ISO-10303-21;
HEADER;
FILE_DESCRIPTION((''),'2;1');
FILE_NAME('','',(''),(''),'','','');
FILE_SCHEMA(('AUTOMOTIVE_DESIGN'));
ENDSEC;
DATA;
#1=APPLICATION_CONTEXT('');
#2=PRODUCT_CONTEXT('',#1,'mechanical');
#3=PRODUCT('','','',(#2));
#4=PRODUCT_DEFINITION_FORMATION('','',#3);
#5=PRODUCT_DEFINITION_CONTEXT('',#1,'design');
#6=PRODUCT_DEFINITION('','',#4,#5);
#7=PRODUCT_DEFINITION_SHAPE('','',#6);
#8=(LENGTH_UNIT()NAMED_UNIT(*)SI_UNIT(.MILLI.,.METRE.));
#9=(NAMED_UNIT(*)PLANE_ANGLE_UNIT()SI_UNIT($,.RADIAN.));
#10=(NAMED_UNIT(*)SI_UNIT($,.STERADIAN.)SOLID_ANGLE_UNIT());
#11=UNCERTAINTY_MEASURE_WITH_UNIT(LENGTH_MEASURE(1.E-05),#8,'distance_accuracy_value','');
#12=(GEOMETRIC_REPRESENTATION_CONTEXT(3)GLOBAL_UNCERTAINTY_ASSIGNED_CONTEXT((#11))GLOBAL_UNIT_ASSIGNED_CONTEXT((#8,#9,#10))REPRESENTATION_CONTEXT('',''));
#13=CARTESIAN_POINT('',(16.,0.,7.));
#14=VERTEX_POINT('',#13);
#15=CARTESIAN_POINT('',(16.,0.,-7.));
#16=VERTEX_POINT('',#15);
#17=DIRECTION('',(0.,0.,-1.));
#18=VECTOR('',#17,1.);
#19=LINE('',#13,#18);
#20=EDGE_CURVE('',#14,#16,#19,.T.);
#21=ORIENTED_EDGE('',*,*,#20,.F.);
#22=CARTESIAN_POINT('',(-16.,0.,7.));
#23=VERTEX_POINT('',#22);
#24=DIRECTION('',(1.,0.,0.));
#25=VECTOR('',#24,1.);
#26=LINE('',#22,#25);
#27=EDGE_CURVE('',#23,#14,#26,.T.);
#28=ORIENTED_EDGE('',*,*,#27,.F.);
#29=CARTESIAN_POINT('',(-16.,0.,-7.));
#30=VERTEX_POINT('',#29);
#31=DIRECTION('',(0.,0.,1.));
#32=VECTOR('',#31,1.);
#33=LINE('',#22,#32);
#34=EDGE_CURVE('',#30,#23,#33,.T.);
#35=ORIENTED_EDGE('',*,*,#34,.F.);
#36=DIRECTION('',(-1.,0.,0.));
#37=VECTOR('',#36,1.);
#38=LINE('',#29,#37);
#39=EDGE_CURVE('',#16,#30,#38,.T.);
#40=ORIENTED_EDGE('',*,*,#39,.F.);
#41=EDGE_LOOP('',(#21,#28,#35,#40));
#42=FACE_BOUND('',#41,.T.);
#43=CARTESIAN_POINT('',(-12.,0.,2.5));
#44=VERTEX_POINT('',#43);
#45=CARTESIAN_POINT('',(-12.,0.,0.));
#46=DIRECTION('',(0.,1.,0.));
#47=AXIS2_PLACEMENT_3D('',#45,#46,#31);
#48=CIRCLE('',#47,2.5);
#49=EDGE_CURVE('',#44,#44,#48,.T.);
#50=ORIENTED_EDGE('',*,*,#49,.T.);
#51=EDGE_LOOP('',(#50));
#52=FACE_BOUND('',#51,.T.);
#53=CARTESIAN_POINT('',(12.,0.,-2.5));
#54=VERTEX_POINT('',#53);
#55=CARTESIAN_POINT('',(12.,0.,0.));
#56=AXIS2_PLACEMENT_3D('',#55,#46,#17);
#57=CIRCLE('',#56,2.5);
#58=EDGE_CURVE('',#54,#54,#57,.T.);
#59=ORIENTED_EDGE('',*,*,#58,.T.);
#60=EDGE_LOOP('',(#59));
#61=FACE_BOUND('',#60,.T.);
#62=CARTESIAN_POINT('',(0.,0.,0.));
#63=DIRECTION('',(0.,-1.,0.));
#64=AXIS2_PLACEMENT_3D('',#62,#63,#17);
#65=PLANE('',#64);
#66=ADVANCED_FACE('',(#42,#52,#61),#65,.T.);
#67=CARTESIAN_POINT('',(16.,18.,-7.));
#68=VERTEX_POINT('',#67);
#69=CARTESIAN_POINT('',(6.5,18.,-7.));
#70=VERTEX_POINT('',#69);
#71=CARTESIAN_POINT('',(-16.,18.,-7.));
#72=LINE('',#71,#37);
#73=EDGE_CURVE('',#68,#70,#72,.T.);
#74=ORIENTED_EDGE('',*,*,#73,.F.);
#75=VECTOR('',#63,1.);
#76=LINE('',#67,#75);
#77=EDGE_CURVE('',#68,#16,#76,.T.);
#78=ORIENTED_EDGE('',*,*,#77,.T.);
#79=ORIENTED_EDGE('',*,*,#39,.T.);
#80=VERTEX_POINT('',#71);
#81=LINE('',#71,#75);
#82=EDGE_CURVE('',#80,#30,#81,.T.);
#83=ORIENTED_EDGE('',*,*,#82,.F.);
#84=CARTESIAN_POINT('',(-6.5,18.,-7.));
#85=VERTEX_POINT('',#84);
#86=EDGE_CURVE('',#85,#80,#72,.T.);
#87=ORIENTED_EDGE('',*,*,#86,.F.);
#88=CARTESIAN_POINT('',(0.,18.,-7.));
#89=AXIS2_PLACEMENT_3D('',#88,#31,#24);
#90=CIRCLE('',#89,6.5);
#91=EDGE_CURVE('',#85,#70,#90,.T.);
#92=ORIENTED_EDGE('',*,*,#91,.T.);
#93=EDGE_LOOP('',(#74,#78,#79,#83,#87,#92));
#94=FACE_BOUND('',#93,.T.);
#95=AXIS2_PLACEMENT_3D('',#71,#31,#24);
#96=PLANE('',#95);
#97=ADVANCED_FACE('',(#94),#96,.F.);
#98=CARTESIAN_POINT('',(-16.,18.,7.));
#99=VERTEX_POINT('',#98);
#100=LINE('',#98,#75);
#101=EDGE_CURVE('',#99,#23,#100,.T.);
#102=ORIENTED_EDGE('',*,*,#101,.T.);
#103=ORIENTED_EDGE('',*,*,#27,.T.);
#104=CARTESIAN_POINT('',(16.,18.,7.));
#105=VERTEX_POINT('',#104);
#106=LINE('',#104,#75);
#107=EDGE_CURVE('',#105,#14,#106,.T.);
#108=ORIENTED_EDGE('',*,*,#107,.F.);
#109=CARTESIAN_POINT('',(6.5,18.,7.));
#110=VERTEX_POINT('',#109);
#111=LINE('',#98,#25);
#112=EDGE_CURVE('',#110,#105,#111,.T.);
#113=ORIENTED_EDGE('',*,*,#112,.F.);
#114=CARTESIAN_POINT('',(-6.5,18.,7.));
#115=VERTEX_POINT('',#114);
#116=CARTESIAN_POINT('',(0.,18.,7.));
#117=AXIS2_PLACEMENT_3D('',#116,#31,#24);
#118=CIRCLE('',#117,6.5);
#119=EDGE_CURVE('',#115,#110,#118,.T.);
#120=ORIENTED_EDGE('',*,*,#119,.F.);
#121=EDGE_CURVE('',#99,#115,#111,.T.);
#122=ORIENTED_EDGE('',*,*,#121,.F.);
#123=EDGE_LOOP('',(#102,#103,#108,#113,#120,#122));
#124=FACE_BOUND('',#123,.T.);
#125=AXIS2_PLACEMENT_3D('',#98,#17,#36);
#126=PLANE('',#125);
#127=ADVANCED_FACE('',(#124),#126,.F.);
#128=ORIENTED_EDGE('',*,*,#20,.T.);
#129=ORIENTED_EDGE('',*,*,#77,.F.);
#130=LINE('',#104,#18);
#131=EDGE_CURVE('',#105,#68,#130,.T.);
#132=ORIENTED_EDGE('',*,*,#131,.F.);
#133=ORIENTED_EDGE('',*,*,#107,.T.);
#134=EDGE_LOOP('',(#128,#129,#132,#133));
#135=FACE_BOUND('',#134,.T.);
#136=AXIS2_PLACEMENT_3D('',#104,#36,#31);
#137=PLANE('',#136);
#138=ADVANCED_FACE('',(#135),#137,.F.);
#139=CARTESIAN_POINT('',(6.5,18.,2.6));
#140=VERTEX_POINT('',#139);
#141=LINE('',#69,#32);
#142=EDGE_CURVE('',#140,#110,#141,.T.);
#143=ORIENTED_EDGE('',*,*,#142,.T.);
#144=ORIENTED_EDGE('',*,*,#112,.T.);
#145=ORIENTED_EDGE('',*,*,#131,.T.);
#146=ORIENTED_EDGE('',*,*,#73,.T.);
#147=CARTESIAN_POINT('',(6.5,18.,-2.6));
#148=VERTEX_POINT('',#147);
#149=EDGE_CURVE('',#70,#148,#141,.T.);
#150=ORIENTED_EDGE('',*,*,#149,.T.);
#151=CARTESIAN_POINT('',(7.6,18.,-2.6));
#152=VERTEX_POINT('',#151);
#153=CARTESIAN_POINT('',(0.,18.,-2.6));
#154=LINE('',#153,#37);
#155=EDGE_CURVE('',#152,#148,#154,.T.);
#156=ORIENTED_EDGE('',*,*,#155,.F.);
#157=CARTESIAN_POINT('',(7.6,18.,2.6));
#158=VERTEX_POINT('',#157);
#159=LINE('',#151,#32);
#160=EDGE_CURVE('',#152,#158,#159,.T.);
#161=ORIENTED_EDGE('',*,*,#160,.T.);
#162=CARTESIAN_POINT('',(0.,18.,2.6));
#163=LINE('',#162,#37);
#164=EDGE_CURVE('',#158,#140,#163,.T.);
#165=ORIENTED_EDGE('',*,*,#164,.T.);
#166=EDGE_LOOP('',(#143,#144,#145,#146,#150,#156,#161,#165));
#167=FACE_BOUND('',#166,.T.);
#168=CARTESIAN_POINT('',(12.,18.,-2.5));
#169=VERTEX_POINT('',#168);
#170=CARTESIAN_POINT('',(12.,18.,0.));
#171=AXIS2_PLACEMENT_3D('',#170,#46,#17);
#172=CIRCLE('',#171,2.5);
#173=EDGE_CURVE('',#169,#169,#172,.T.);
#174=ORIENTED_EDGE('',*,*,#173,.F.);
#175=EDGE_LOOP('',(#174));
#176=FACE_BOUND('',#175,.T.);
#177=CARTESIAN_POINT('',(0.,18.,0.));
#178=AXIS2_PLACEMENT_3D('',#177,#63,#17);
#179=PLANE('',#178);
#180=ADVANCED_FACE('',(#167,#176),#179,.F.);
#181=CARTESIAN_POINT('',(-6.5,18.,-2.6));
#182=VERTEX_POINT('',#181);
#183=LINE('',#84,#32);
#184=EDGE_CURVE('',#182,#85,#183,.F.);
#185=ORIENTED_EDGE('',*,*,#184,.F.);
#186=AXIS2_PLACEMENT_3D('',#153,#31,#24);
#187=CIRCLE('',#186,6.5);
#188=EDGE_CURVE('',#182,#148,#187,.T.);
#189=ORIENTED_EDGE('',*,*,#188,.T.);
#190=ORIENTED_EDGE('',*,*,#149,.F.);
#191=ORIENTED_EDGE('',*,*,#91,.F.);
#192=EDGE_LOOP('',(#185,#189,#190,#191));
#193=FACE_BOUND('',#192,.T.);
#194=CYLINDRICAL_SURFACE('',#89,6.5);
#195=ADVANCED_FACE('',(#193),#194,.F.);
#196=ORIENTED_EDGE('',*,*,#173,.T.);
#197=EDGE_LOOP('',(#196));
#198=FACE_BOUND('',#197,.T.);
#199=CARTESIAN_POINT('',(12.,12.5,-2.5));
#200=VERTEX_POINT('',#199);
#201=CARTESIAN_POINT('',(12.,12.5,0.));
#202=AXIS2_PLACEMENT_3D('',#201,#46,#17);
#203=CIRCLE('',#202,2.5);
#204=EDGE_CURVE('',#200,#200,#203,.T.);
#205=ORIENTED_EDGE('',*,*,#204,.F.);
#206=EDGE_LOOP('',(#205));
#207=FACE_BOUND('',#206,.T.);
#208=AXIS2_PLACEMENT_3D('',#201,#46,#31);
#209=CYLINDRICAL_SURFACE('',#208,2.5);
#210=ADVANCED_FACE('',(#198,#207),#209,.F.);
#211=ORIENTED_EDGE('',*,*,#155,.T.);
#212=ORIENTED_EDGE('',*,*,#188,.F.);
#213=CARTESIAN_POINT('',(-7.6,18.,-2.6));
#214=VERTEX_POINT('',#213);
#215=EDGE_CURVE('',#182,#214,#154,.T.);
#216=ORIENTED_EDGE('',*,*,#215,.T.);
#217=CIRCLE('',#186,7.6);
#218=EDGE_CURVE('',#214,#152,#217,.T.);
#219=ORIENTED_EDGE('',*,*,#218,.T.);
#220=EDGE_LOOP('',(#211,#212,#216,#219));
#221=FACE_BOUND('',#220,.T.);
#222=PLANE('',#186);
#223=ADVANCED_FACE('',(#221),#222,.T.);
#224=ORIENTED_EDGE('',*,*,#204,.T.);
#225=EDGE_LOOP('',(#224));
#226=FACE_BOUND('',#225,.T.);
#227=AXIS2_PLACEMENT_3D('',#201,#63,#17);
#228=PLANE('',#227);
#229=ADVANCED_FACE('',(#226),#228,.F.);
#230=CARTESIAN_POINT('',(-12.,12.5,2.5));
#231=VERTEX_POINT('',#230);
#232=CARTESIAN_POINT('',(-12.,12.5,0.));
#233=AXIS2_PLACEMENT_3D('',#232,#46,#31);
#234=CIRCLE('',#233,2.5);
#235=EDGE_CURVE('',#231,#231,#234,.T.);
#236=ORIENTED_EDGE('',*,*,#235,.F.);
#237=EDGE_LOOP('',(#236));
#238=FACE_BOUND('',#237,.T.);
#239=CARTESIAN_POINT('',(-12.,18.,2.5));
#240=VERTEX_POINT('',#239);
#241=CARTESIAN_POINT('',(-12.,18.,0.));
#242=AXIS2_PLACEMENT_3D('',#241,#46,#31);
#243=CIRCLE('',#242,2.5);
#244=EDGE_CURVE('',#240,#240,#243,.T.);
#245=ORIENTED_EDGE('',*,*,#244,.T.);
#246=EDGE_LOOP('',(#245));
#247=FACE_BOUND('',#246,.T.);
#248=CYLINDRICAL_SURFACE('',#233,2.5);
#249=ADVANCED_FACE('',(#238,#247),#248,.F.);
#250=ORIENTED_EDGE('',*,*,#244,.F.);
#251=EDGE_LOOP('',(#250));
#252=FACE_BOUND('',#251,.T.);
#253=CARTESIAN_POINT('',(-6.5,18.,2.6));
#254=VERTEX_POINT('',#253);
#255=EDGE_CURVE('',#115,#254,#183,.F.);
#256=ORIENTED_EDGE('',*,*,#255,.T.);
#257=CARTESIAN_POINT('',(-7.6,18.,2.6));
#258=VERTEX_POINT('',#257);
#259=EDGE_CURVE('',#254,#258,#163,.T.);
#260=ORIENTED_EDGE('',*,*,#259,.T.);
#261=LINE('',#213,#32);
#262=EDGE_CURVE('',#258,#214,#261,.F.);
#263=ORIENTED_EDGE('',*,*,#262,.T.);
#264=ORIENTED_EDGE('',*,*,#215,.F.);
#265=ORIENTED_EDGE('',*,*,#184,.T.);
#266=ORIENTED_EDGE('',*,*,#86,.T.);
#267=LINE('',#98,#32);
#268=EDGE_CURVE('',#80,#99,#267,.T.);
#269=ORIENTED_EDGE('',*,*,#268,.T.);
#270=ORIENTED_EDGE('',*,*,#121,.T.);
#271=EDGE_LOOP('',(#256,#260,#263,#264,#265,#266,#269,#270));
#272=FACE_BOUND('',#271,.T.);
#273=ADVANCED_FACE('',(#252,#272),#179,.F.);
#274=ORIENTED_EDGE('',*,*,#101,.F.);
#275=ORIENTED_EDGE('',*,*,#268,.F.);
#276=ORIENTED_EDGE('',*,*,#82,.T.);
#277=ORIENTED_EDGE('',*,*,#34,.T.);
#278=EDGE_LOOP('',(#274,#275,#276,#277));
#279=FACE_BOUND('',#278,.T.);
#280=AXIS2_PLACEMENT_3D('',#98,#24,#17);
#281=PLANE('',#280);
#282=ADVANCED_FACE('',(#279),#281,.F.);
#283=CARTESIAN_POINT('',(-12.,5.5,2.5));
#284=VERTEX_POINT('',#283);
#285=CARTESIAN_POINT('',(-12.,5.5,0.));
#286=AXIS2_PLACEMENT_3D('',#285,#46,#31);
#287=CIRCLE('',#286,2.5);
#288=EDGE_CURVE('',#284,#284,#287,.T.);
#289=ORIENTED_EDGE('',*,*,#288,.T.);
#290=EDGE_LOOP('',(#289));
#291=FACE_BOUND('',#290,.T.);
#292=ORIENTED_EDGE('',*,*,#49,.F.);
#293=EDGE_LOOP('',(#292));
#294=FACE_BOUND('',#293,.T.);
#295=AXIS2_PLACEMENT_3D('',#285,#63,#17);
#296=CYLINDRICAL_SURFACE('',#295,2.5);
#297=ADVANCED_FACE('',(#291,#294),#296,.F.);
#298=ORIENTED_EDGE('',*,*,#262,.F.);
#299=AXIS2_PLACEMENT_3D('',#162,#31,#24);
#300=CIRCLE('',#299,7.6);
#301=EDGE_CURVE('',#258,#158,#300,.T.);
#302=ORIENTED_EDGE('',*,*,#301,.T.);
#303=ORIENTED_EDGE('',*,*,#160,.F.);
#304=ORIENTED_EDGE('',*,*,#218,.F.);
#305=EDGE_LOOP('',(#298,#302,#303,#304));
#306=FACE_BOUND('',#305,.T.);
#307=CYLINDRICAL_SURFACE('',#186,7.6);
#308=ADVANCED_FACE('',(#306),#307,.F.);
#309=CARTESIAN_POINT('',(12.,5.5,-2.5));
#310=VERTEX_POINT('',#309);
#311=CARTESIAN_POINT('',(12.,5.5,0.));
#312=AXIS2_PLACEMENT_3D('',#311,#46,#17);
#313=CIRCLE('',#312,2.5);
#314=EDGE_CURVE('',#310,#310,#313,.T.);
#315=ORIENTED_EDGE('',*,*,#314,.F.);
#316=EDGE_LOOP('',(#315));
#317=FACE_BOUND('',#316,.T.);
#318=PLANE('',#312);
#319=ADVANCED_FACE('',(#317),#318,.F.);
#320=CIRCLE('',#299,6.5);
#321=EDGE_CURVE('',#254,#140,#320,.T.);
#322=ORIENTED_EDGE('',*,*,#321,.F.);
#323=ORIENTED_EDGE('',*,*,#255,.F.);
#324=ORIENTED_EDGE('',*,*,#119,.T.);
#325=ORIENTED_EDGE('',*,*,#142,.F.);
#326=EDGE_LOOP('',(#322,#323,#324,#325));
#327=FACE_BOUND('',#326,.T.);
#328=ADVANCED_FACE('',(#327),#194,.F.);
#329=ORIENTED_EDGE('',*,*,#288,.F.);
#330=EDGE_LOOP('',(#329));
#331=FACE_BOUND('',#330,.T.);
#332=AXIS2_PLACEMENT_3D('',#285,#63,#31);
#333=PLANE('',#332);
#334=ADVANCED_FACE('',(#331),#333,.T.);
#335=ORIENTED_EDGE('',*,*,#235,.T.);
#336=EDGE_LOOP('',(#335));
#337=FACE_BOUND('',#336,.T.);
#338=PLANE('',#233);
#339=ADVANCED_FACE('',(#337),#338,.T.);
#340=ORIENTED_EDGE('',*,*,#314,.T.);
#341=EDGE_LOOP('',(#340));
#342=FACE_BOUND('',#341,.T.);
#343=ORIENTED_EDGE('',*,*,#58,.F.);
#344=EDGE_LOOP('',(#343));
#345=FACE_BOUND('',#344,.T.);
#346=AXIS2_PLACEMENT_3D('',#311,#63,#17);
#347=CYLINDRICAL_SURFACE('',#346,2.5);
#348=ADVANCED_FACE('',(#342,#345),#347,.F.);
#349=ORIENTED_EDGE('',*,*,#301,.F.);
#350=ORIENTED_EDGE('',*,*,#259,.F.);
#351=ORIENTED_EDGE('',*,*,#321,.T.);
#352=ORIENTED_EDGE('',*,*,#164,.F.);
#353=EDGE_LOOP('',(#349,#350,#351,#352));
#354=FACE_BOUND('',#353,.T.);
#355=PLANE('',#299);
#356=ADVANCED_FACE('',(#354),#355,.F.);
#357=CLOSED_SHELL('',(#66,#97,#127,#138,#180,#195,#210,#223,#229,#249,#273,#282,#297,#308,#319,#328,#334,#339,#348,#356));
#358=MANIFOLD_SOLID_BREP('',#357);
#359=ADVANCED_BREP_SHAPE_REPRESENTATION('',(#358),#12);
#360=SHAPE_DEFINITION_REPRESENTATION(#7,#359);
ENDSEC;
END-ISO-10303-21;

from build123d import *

# Parameters (mm, degrees)
SKETCH_1_W               = 32
SKETCH_1_H               = 14
EXTRUDE_1_DEPTH          = 18
SKETCH_3_R               = 7.6
CUT_EXTRUDE_1_DEPTH      = 2.6
CUT_EXTRUDE_2_DEPTH      = 26.079872408
CUT_EXTRUDE_2_DEPTH_BACK = 26.079872408
SKETCH_4_R               = 6.5
SKETCH_5_R               = 2.5
CUT_EXTRUDE_3_DEPTH      = 5.5


with BuildPart() as part:
    # 草圖1 → 填料-伸長1 (new body)
    with BuildSketch(Plane(origin=(0, 0, 0), x_dir=(1, 0, 0), z_dir=(0, 1, 0))):
        Rectangle(SKETCH_1_W, SKETCH_1_H)
    extrude(amount=EXTRUDE_1_DEPTH)

    # 草圖3 → 除料-伸長1 (cut, symmetric)
    with BuildSketch(Plane.XY):
        with Locations((0, 18)):
            Circle(SKETCH_3_R)
    extrude(amount=CUT_EXTRUDE_1_DEPTH, both=True, mode=Mode.SUBTRACT)

    # 草圖4 → 除料-伸長2 (cut, two sides: drawn at the far end of the back side and taken through both)
    with BuildSketch(Plane.XY.offset(-CUT_EXTRUDE_2_DEPTH_BACK)):
        with Locations((0, 18)):
            Circle(SKETCH_4_R)
    extrude(amount=CUT_EXTRUDE_2_DEPTH + CUT_EXTRUDE_2_DEPTH_BACK, mode=Mode.SUBTRACT)

    # 草圖5 → 除料-伸長3 (cut)
    with BuildSketch(Plane(origin=(0, 18, 0), x_dir=(1, 0, 0), z_dir=(0, 1, 0))):
        with Locations(Location((-12, 0, 0), (0, 0, 270))):
            Circle(SKETCH_5_R)
        with Locations(Location((12, 0, 0), (0, 0, 90))):
            Circle(SKETCH_5_R)
    cut_extrude_3 = extrude(amount=-CUT_EXTRUDE_3_DEPTH, mode=Mode.SUBTRACT)

    # Mirror1: 除料-伸長3 across plane
    add(cut_extrude_3.mirror(Plane.ZX.offset(9)), mode=Mode.SUBTRACT)


solid = part.part
